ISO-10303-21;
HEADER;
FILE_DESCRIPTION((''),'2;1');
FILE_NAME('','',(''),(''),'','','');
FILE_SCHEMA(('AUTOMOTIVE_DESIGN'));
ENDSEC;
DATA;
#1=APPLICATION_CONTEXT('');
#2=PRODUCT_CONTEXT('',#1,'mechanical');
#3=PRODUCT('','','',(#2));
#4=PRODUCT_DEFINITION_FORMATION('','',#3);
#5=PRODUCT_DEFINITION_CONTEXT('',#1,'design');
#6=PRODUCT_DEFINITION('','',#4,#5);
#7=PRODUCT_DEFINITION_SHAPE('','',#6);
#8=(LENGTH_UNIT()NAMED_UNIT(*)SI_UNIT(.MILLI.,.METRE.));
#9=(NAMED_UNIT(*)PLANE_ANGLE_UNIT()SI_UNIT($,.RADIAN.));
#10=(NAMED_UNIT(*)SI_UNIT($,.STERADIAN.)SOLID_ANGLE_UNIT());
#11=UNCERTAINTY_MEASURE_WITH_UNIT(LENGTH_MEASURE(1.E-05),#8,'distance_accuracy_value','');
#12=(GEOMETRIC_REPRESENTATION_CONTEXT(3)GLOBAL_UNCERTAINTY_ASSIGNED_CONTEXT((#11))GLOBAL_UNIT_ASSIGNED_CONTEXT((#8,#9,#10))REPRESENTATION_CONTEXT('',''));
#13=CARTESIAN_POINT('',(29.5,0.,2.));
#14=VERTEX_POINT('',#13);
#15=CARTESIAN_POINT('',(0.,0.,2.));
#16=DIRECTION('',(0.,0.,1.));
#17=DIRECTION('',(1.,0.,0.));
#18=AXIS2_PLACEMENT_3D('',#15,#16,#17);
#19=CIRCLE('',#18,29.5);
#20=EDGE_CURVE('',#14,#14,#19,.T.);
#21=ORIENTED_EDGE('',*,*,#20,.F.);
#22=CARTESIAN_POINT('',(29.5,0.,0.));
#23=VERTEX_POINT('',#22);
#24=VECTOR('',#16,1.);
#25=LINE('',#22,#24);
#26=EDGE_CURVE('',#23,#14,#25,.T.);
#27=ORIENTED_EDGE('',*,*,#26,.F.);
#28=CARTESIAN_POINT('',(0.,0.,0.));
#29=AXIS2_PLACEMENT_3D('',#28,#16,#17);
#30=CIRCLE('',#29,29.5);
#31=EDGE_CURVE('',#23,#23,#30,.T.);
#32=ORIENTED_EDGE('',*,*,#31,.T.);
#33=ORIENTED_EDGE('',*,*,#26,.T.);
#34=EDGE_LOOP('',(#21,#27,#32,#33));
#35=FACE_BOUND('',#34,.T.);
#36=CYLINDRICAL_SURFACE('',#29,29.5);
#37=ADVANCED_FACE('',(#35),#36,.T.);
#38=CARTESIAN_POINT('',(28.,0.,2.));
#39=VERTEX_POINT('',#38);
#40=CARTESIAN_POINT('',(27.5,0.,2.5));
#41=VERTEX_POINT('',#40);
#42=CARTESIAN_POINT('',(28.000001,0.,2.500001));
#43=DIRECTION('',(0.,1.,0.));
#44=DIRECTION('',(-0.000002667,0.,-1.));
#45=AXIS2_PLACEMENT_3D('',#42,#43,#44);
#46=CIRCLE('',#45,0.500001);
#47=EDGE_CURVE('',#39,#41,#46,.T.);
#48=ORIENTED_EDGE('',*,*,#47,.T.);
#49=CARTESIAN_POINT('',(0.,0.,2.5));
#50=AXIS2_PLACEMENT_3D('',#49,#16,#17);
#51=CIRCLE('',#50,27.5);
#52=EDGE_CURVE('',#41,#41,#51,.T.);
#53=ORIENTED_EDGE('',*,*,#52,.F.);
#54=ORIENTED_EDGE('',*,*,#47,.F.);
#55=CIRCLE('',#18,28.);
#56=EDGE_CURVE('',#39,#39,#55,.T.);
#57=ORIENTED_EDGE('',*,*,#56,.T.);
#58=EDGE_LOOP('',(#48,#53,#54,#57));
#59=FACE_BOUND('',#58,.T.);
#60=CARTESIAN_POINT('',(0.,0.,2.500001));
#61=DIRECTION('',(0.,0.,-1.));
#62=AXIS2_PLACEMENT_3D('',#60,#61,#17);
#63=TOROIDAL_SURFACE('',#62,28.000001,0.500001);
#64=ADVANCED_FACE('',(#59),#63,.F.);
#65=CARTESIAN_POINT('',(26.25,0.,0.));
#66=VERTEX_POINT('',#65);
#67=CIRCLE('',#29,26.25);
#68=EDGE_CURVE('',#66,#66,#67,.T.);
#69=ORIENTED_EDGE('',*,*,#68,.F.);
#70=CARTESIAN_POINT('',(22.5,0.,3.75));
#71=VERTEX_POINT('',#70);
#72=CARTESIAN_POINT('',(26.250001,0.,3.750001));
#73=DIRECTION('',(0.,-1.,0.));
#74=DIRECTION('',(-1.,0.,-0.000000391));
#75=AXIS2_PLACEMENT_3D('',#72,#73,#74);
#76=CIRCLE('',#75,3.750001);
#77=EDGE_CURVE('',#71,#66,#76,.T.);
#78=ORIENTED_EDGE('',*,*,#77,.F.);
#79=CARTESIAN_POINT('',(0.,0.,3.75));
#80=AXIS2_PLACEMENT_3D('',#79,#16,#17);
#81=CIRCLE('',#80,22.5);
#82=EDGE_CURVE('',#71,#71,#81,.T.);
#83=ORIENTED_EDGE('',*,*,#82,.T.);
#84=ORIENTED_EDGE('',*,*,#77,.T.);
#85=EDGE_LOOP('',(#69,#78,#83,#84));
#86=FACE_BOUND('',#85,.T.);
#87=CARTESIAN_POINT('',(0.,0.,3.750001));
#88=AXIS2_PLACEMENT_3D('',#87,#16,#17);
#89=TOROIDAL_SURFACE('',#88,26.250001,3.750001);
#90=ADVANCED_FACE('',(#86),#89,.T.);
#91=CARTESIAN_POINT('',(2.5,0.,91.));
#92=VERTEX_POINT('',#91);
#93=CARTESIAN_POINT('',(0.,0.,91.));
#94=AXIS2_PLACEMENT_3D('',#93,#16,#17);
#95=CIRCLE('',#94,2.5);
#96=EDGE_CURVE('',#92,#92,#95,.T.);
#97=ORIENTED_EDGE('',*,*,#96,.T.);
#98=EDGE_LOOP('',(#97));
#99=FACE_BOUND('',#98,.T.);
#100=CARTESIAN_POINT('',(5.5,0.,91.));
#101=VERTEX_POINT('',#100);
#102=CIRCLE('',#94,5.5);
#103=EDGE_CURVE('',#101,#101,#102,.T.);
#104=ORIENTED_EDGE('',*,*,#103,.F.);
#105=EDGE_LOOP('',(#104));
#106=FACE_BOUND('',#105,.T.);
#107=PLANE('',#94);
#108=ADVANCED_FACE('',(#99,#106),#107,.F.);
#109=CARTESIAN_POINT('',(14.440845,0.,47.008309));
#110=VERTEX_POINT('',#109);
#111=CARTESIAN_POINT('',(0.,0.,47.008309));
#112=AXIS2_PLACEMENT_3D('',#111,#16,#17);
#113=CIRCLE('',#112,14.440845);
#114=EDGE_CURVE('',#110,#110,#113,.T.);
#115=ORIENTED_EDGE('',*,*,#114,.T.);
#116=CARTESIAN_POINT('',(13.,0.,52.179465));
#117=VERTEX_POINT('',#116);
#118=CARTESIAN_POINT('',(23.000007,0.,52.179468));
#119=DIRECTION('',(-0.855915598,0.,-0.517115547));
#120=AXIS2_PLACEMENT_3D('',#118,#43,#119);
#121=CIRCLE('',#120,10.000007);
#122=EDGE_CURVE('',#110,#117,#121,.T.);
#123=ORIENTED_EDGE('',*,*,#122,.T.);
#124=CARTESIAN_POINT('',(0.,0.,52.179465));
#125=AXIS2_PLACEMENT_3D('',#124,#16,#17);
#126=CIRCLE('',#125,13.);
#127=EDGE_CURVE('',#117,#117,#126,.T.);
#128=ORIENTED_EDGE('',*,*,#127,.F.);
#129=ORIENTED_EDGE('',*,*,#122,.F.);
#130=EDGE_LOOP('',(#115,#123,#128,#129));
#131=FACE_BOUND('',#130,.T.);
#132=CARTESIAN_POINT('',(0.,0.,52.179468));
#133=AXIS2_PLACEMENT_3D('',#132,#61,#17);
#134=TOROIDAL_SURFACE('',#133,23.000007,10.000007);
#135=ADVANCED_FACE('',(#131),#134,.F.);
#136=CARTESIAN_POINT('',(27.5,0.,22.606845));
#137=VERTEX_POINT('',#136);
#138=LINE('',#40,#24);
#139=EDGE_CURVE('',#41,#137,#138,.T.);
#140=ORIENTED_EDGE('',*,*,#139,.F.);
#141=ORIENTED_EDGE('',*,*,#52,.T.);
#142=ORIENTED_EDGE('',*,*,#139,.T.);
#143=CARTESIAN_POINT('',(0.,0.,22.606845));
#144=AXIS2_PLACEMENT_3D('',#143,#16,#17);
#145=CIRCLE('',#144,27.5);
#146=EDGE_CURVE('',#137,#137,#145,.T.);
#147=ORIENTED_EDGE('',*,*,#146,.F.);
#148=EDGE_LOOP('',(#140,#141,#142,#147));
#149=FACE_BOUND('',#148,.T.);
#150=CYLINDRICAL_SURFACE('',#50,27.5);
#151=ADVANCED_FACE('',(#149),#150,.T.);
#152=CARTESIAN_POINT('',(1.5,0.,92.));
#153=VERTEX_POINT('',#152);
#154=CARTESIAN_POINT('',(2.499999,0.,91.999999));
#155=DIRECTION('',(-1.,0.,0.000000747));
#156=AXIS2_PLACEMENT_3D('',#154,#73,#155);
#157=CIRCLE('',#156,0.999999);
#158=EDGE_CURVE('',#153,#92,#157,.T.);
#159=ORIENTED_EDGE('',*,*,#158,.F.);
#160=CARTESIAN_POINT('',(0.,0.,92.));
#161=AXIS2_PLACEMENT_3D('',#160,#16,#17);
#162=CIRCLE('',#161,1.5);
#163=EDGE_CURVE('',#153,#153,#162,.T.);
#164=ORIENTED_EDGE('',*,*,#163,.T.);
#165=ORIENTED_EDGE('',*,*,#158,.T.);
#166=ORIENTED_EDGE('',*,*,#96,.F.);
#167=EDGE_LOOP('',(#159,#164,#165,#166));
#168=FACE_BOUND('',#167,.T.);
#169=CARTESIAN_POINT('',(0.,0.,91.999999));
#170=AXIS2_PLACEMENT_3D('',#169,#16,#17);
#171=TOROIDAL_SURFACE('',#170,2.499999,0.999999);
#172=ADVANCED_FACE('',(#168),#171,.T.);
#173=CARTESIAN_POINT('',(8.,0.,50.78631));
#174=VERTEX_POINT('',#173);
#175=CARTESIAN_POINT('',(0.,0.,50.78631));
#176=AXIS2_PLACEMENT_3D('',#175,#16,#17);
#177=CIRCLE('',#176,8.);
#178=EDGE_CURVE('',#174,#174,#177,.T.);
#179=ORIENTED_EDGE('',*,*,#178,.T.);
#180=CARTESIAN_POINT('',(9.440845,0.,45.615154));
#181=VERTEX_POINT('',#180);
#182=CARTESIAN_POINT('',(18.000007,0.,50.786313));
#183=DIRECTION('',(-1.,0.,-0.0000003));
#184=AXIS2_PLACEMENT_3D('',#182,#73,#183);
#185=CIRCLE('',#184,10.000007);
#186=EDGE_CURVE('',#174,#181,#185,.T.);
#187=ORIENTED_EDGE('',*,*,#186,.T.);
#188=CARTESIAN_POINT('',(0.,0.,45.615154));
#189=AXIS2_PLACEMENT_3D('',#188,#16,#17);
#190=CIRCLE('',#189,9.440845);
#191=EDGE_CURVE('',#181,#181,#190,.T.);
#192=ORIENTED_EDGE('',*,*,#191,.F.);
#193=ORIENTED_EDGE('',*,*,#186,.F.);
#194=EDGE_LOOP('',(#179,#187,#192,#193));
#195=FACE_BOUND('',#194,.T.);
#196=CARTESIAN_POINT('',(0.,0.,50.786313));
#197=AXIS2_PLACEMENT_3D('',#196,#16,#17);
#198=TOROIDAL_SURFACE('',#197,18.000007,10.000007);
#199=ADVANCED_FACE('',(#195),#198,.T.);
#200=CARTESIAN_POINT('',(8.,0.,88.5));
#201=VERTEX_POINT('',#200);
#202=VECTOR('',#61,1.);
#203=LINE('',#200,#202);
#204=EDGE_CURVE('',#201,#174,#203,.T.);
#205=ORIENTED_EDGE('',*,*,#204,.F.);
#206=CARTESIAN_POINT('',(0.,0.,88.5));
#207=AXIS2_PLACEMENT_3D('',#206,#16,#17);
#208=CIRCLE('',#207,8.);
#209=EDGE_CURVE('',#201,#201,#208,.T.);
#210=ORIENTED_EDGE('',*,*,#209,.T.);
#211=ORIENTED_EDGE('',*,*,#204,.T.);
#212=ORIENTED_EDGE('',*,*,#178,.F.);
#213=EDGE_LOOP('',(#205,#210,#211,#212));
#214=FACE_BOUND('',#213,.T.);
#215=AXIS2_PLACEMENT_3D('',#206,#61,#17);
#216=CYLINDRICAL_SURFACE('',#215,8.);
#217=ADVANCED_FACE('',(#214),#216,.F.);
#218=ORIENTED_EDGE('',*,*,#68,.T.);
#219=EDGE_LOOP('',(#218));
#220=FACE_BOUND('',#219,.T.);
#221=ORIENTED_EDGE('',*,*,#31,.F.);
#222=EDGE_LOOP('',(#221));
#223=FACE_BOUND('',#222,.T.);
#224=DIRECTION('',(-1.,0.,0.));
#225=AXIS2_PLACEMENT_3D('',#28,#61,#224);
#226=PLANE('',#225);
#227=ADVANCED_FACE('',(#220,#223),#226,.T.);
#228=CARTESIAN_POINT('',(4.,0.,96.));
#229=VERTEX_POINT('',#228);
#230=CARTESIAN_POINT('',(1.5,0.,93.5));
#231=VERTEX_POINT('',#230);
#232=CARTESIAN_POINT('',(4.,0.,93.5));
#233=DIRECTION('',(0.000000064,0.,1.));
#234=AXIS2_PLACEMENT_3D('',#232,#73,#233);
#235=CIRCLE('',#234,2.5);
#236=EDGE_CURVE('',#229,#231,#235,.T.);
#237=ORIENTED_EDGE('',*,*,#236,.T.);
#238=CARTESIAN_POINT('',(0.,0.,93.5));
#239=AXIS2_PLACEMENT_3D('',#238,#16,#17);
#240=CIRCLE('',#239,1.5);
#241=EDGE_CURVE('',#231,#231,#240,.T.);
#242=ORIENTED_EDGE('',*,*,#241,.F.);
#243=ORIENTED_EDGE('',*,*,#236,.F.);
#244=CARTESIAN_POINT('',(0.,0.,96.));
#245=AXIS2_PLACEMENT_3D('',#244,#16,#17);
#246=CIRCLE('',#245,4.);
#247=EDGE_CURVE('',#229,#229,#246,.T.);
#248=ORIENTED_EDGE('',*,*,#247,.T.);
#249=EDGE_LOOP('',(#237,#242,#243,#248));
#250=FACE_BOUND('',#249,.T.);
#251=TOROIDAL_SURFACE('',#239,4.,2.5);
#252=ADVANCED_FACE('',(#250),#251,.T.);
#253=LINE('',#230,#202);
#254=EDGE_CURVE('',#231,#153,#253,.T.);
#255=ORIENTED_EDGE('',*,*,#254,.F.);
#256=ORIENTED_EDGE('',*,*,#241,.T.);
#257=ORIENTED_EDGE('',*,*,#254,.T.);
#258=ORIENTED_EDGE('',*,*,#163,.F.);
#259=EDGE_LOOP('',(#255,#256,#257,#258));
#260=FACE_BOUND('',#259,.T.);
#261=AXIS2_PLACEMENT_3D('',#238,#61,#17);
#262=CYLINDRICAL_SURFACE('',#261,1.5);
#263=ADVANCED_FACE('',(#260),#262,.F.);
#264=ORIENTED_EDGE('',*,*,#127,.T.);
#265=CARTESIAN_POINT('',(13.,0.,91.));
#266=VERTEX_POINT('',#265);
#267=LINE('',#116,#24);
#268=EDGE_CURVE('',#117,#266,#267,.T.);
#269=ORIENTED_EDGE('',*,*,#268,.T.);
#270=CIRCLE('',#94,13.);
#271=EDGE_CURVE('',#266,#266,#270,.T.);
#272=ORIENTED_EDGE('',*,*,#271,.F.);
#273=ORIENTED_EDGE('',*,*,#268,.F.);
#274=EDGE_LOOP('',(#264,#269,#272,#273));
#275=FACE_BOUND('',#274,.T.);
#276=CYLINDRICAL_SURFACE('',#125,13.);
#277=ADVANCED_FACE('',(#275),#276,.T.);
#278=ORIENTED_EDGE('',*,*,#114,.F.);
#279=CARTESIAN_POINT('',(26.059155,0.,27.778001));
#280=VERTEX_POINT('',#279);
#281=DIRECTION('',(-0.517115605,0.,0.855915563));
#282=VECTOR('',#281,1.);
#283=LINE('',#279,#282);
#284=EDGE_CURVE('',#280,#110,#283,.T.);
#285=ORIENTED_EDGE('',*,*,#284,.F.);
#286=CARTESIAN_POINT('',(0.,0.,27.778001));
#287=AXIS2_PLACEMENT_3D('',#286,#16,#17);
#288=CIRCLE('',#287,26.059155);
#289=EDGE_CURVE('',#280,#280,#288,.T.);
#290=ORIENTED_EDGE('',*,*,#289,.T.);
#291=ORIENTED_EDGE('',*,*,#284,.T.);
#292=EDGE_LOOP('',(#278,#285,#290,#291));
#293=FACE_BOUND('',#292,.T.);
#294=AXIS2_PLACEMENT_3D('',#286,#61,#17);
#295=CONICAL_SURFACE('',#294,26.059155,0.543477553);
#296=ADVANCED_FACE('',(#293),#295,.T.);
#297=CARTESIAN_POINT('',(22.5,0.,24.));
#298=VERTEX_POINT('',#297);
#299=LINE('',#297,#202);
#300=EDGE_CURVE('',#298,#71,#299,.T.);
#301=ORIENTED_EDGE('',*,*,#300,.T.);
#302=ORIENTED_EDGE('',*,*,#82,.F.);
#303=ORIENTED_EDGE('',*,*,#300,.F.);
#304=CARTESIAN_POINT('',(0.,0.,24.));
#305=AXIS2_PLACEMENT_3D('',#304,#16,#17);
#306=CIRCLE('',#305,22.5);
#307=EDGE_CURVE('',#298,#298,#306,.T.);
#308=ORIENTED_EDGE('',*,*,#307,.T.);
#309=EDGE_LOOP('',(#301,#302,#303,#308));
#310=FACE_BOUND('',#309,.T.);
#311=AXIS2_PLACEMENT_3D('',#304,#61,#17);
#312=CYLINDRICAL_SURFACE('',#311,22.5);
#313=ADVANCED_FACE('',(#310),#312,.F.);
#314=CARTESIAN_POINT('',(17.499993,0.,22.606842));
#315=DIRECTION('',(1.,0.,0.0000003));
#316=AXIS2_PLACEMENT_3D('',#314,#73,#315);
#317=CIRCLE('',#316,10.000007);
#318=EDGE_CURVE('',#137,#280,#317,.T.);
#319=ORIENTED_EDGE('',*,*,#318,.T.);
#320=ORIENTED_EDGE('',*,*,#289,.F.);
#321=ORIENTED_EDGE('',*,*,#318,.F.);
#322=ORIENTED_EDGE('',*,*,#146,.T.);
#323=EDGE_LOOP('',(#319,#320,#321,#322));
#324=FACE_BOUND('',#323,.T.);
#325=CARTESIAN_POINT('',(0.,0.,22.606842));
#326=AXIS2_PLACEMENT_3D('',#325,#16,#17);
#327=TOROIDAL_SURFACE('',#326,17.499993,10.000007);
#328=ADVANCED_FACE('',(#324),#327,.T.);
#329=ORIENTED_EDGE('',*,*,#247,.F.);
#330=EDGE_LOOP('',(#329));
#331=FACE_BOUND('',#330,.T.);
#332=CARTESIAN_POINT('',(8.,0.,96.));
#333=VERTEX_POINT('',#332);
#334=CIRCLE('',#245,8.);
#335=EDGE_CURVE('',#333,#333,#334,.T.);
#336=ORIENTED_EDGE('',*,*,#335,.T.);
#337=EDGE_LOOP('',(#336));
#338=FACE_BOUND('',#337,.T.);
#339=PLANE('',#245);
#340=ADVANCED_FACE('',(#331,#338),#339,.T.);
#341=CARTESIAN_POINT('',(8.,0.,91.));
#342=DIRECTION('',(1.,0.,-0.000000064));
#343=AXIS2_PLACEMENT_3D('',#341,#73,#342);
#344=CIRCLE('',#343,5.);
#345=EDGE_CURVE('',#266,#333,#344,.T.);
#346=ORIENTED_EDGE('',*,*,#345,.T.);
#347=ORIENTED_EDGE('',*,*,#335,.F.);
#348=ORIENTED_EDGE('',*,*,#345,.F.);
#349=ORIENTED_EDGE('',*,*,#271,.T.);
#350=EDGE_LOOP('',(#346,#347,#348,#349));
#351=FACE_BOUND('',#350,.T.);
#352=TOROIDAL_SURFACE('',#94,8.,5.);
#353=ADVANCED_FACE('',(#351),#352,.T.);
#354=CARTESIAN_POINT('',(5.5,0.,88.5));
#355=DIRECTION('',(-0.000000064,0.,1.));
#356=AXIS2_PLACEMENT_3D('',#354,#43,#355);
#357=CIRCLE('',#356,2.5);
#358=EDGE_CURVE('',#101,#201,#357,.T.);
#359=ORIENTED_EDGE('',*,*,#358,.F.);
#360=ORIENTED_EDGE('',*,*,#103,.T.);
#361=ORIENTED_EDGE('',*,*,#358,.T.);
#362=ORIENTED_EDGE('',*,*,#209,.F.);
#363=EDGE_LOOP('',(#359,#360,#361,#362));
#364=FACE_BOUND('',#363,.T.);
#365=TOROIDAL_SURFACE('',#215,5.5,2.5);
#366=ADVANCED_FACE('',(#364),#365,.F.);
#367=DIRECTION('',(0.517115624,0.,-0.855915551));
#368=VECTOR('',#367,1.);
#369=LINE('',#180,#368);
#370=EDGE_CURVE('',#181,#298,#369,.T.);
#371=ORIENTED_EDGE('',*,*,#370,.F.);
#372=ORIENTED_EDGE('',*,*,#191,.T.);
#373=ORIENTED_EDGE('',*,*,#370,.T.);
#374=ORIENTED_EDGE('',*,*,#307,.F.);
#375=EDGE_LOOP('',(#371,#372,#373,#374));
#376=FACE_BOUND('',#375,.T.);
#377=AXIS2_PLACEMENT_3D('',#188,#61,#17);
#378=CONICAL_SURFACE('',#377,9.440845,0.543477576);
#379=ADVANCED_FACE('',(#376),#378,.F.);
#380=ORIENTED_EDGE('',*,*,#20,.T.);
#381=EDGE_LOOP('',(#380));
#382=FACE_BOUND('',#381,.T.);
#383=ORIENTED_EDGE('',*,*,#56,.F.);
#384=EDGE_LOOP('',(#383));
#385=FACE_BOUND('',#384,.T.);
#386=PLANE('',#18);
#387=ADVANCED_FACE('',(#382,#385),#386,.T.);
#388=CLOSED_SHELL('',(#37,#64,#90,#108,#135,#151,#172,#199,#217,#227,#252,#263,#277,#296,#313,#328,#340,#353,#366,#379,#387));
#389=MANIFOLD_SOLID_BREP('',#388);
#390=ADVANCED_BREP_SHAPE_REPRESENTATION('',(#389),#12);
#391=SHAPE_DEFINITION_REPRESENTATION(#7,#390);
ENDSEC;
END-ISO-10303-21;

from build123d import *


with BuildPart() as f2:
    # F0 (on Front) → F2 (revolve)
    with BuildSketch(Plane.XZ):
        with BuildLine():
            Line((22.5, 24), (22.5, 3.75))
            ThreePointArc((22.5, 3.75), (23.59835, 1.09835), (26.25, 0))
            Line((26.25, 0), (27.5, 0))
            Line((27.5, 0), (29.5, 0))
            Line((29.5, 0), (29.5, 2))
            Line((29.5, 2), (28, 2))
            ThreePointArc((28, 2), (27.646447, 2.146447), (27.5, 2.5))
            Line((27.5, 2.5), (27.5, 22.606845))
            ThreePointArc((27.5, 22.606845), (27.133056, 25.290913), (26.059155, 27.778001))
            Line((26.059155, 27.778001), (14.440845, 47.008309))
            ThreePointArc((14.440845, 47.008309), (13.366944, 49.495397), (13, 52.179465))
            Line((13, 52.179465), (13, 91))
            ThreePointArc((13, 91), (11.535534, 94.535534), (8, 96))
            Line((8, 96), (4, 96))
            ThreePointArc((4, 96), (2.232233, 95.267767), (1.5, 93.5))
            Line((1.5, 93.5), (1.5, 92))
            ThreePointArc((1.5, 92), (1.792893, 91.292893), (2.5, 91))
            Line((2.5, 91), (5.5, 91))
            ThreePointArc((5.5, 91), (7.267767, 90.267767), (8, 88.5))
            Line((8, 88.5), (8, 50.78631))
            ThreePointArc((8, 50.78631), (8.366944, 48.102242), (9.440845, 45.615154))
            Line((9.440845, 45.615154), (22.5, 24))
        make_face()
    revolve(axis=Axis((0, 0, 13.469479), (0, 0, 1)))


solid = f2.part
